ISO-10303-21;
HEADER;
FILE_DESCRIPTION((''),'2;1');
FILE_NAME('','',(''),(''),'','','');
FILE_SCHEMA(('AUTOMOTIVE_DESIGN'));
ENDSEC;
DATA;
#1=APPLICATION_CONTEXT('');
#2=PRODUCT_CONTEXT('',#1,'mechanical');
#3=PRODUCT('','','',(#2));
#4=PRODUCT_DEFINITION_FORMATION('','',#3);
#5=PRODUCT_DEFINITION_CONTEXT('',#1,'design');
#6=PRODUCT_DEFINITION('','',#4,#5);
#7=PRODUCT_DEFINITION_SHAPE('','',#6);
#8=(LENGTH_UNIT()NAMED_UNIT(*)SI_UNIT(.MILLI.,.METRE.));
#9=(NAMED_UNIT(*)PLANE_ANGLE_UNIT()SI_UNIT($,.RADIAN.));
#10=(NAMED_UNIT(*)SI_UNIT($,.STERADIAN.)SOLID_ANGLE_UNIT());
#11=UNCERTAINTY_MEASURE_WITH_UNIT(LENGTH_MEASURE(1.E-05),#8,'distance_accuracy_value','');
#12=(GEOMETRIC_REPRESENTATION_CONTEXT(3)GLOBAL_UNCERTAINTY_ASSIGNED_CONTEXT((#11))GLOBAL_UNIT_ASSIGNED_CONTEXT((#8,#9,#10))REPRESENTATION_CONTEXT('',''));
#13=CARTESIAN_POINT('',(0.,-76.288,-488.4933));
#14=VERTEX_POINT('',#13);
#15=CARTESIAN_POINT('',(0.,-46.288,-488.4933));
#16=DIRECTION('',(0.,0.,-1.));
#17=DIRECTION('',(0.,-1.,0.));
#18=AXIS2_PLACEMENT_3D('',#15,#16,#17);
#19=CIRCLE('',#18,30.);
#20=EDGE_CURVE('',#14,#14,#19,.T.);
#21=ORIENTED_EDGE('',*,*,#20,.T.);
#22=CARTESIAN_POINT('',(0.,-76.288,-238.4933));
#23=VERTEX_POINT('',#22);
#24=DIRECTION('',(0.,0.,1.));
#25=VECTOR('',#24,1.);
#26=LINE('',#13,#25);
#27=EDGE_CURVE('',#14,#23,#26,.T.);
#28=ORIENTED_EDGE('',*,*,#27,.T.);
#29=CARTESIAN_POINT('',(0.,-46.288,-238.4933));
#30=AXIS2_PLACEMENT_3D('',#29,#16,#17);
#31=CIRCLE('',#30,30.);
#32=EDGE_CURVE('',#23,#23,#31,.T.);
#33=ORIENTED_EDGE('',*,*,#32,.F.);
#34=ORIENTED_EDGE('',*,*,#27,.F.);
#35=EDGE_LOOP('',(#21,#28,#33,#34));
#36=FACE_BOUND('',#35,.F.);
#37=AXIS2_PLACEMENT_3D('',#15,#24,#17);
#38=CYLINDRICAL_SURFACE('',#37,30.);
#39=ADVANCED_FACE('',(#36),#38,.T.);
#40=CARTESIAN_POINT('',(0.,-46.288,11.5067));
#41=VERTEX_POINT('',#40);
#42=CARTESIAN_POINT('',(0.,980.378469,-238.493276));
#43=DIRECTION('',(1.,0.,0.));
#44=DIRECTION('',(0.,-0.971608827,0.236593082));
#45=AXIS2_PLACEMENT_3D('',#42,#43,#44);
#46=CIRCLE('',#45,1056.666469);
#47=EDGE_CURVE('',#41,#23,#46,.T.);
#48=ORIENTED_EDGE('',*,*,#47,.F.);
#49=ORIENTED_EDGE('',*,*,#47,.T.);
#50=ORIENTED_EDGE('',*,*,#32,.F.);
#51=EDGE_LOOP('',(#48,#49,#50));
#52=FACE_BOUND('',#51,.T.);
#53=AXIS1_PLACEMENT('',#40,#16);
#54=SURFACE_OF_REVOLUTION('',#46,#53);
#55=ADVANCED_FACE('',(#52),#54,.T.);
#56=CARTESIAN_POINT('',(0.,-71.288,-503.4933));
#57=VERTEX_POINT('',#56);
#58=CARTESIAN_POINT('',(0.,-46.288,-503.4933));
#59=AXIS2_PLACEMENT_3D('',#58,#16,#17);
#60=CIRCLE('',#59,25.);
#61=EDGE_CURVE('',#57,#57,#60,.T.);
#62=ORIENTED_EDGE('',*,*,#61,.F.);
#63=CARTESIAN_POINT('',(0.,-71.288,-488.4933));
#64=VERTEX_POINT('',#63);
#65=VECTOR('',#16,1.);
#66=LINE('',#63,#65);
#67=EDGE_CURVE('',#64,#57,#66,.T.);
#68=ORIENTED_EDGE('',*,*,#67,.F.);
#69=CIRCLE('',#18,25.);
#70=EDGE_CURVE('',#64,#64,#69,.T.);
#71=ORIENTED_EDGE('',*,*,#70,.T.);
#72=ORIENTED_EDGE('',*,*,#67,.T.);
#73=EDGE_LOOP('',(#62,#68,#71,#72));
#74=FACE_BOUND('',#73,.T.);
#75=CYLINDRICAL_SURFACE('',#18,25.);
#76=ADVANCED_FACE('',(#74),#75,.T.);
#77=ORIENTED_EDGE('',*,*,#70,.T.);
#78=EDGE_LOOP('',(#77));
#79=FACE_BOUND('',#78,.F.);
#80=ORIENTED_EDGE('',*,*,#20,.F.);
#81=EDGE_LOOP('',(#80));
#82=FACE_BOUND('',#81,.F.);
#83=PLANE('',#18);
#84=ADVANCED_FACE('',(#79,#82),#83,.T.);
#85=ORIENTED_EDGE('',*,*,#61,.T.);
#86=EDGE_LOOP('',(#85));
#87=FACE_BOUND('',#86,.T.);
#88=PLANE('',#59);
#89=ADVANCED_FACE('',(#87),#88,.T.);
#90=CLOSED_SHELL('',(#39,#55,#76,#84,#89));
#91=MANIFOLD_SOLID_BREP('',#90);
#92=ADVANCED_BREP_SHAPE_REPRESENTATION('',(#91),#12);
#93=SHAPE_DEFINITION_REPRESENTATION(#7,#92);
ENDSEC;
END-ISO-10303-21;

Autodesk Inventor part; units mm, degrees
ref_plane "YZ Plane" through (0, 0, 0) normal (1, 0, 0) x (0, 1, 0)
ref_plane "XZ Plane" through (0, 0, 0) normal (0, 1, 0) x (-1, 0, 0)
ref_plane "XY Plane" through (0, 0, 0) normal (0, 0, 1) x (1, 0, 0)
sketch "Sketch1" plane through (0, 0, 0) normal (1, 0, 0) x (0, 1, 0)
  line L0 (-46.288, 11.5067) -> (-46.288, -488.4933) construction
  line L1 (-46.288, 11.5067) -> (-46.288, -488.4933)
  line L2 (-46.288, -488.4933) -> (-76.288, -488.4933)
  line L3 (-76.288, -488.4933) -> (-76.288, -238.4933)
  arc A0 (-46.288, 11.5067) -> (-76.288, -238.4933) centre (980.3786, -238.4933) ccw
  arc A1 (-46.288, -238.4933) -> (-46.288, 11.5067) centre (-2732.9697, -113.4933) ccw construction
  line L4 (-71.288, -488.4933) -> (-71.288, -503.4933)
  line L5 (-71.288, -503.4933) -> (-46.288, -503.4933)
  line L6 (-46.288, -488.4933) -> (-46.288, -503.4933)
  point P0 (0, 0)
  dimension "d0" = 500
  dimension "d1" = 500
  dimension "d2" = 250
  dimension "d3" = 30
  dimension "d4" = 30
  dimension "d6" = 15
  dimension "d7" = 25
revolve "Revolution1" add sketch "Sketch1" angle 360 about axis through (0, -46.288, 11.5067) along (0, 0, -1)
properties part number "nose cone n2"
